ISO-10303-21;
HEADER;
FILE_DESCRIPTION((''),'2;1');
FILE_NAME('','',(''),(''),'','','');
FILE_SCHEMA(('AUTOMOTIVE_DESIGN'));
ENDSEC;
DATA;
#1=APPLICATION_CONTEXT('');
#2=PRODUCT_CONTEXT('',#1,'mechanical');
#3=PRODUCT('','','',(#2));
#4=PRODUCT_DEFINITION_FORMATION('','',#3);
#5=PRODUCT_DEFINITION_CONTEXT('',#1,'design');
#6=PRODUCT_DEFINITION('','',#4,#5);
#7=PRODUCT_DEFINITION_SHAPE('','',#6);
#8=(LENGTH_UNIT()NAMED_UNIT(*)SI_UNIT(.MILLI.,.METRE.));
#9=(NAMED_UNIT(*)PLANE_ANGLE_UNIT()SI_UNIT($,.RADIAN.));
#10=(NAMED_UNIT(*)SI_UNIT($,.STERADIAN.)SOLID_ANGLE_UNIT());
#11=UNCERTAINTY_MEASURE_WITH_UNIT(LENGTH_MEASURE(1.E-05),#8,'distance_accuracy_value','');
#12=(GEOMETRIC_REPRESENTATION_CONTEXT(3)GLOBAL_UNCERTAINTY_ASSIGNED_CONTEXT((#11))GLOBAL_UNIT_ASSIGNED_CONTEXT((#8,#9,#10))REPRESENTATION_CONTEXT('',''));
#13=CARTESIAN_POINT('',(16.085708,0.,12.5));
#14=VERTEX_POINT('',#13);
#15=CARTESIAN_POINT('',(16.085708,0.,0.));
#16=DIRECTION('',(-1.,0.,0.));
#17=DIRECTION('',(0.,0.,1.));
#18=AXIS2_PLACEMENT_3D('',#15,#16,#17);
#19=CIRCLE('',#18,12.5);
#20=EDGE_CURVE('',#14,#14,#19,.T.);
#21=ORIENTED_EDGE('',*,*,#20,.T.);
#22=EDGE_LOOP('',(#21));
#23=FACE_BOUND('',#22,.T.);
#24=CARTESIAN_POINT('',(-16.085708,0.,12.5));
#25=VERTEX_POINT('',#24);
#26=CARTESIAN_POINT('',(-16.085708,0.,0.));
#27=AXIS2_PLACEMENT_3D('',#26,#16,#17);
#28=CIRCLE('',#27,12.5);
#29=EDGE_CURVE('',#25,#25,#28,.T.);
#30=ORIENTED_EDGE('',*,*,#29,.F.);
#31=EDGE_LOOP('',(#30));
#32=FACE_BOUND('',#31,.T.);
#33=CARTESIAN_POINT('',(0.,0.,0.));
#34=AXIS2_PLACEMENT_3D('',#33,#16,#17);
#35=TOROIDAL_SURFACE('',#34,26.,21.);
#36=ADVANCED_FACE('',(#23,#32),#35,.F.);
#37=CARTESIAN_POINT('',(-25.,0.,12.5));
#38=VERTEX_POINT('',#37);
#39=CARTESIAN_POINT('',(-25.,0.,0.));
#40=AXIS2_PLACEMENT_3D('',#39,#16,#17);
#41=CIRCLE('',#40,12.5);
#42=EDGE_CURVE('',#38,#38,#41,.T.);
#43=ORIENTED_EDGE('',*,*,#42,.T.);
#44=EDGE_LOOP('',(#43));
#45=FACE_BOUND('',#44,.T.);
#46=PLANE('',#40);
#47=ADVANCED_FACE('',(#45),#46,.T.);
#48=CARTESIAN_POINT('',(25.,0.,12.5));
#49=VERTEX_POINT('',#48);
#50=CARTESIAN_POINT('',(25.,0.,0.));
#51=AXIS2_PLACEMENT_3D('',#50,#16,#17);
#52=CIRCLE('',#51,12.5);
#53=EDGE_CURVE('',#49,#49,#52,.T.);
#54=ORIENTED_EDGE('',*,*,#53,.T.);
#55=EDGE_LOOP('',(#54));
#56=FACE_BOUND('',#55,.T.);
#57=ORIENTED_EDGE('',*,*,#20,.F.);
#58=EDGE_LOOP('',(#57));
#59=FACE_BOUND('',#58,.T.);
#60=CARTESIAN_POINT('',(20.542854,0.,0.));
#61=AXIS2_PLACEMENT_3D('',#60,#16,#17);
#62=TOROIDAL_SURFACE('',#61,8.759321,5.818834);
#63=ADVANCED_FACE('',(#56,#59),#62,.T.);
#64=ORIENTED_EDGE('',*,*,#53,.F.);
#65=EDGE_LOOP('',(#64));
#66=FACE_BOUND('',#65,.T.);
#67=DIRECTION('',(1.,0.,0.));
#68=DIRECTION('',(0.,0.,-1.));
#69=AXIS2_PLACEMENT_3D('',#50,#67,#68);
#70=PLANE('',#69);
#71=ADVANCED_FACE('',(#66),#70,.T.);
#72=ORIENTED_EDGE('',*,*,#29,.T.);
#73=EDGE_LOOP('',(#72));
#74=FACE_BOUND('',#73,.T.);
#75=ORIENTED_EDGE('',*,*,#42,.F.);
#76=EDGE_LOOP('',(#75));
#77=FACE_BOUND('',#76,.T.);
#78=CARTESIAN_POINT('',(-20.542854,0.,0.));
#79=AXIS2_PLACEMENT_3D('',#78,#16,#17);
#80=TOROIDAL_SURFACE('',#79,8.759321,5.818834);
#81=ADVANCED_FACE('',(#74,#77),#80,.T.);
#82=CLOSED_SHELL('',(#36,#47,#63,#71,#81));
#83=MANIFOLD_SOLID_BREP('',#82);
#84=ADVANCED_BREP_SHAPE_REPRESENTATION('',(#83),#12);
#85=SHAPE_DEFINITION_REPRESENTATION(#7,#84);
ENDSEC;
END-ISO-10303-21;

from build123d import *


with BuildPart() as part:
    # Sketch1 → Revolve1 (revolve)
    with BuildSketch(Plane.XY, mode=Mode.PRIVATE) as revolve1_sk:
        with BuildLine():
            Line((-25, 0), (25, 0))
            Line((25, 0), (25, -12.5))
            ThreePointArc((25, -12.5), (20.542853971, -14.578155052), (16.085707942, -12.5))
            ThreePointArc((16.085707942, -12.5), (0, -5), (-16.085707942, -12.5))
            ThreePointArc((-16.085707942, -12.5), (-20.542853971, -14.578155052), (-25, -12.5))
            Line((-25, -12.5), (-25, 0))
        make_face()
    revolve(revolve1_sk.sketch.rotate(Axis((-25, 0, 0), (1, 0, 0)), 270), axis=Axis((-25, 0, 0), (1, 0, 0)))


solid = part.part
